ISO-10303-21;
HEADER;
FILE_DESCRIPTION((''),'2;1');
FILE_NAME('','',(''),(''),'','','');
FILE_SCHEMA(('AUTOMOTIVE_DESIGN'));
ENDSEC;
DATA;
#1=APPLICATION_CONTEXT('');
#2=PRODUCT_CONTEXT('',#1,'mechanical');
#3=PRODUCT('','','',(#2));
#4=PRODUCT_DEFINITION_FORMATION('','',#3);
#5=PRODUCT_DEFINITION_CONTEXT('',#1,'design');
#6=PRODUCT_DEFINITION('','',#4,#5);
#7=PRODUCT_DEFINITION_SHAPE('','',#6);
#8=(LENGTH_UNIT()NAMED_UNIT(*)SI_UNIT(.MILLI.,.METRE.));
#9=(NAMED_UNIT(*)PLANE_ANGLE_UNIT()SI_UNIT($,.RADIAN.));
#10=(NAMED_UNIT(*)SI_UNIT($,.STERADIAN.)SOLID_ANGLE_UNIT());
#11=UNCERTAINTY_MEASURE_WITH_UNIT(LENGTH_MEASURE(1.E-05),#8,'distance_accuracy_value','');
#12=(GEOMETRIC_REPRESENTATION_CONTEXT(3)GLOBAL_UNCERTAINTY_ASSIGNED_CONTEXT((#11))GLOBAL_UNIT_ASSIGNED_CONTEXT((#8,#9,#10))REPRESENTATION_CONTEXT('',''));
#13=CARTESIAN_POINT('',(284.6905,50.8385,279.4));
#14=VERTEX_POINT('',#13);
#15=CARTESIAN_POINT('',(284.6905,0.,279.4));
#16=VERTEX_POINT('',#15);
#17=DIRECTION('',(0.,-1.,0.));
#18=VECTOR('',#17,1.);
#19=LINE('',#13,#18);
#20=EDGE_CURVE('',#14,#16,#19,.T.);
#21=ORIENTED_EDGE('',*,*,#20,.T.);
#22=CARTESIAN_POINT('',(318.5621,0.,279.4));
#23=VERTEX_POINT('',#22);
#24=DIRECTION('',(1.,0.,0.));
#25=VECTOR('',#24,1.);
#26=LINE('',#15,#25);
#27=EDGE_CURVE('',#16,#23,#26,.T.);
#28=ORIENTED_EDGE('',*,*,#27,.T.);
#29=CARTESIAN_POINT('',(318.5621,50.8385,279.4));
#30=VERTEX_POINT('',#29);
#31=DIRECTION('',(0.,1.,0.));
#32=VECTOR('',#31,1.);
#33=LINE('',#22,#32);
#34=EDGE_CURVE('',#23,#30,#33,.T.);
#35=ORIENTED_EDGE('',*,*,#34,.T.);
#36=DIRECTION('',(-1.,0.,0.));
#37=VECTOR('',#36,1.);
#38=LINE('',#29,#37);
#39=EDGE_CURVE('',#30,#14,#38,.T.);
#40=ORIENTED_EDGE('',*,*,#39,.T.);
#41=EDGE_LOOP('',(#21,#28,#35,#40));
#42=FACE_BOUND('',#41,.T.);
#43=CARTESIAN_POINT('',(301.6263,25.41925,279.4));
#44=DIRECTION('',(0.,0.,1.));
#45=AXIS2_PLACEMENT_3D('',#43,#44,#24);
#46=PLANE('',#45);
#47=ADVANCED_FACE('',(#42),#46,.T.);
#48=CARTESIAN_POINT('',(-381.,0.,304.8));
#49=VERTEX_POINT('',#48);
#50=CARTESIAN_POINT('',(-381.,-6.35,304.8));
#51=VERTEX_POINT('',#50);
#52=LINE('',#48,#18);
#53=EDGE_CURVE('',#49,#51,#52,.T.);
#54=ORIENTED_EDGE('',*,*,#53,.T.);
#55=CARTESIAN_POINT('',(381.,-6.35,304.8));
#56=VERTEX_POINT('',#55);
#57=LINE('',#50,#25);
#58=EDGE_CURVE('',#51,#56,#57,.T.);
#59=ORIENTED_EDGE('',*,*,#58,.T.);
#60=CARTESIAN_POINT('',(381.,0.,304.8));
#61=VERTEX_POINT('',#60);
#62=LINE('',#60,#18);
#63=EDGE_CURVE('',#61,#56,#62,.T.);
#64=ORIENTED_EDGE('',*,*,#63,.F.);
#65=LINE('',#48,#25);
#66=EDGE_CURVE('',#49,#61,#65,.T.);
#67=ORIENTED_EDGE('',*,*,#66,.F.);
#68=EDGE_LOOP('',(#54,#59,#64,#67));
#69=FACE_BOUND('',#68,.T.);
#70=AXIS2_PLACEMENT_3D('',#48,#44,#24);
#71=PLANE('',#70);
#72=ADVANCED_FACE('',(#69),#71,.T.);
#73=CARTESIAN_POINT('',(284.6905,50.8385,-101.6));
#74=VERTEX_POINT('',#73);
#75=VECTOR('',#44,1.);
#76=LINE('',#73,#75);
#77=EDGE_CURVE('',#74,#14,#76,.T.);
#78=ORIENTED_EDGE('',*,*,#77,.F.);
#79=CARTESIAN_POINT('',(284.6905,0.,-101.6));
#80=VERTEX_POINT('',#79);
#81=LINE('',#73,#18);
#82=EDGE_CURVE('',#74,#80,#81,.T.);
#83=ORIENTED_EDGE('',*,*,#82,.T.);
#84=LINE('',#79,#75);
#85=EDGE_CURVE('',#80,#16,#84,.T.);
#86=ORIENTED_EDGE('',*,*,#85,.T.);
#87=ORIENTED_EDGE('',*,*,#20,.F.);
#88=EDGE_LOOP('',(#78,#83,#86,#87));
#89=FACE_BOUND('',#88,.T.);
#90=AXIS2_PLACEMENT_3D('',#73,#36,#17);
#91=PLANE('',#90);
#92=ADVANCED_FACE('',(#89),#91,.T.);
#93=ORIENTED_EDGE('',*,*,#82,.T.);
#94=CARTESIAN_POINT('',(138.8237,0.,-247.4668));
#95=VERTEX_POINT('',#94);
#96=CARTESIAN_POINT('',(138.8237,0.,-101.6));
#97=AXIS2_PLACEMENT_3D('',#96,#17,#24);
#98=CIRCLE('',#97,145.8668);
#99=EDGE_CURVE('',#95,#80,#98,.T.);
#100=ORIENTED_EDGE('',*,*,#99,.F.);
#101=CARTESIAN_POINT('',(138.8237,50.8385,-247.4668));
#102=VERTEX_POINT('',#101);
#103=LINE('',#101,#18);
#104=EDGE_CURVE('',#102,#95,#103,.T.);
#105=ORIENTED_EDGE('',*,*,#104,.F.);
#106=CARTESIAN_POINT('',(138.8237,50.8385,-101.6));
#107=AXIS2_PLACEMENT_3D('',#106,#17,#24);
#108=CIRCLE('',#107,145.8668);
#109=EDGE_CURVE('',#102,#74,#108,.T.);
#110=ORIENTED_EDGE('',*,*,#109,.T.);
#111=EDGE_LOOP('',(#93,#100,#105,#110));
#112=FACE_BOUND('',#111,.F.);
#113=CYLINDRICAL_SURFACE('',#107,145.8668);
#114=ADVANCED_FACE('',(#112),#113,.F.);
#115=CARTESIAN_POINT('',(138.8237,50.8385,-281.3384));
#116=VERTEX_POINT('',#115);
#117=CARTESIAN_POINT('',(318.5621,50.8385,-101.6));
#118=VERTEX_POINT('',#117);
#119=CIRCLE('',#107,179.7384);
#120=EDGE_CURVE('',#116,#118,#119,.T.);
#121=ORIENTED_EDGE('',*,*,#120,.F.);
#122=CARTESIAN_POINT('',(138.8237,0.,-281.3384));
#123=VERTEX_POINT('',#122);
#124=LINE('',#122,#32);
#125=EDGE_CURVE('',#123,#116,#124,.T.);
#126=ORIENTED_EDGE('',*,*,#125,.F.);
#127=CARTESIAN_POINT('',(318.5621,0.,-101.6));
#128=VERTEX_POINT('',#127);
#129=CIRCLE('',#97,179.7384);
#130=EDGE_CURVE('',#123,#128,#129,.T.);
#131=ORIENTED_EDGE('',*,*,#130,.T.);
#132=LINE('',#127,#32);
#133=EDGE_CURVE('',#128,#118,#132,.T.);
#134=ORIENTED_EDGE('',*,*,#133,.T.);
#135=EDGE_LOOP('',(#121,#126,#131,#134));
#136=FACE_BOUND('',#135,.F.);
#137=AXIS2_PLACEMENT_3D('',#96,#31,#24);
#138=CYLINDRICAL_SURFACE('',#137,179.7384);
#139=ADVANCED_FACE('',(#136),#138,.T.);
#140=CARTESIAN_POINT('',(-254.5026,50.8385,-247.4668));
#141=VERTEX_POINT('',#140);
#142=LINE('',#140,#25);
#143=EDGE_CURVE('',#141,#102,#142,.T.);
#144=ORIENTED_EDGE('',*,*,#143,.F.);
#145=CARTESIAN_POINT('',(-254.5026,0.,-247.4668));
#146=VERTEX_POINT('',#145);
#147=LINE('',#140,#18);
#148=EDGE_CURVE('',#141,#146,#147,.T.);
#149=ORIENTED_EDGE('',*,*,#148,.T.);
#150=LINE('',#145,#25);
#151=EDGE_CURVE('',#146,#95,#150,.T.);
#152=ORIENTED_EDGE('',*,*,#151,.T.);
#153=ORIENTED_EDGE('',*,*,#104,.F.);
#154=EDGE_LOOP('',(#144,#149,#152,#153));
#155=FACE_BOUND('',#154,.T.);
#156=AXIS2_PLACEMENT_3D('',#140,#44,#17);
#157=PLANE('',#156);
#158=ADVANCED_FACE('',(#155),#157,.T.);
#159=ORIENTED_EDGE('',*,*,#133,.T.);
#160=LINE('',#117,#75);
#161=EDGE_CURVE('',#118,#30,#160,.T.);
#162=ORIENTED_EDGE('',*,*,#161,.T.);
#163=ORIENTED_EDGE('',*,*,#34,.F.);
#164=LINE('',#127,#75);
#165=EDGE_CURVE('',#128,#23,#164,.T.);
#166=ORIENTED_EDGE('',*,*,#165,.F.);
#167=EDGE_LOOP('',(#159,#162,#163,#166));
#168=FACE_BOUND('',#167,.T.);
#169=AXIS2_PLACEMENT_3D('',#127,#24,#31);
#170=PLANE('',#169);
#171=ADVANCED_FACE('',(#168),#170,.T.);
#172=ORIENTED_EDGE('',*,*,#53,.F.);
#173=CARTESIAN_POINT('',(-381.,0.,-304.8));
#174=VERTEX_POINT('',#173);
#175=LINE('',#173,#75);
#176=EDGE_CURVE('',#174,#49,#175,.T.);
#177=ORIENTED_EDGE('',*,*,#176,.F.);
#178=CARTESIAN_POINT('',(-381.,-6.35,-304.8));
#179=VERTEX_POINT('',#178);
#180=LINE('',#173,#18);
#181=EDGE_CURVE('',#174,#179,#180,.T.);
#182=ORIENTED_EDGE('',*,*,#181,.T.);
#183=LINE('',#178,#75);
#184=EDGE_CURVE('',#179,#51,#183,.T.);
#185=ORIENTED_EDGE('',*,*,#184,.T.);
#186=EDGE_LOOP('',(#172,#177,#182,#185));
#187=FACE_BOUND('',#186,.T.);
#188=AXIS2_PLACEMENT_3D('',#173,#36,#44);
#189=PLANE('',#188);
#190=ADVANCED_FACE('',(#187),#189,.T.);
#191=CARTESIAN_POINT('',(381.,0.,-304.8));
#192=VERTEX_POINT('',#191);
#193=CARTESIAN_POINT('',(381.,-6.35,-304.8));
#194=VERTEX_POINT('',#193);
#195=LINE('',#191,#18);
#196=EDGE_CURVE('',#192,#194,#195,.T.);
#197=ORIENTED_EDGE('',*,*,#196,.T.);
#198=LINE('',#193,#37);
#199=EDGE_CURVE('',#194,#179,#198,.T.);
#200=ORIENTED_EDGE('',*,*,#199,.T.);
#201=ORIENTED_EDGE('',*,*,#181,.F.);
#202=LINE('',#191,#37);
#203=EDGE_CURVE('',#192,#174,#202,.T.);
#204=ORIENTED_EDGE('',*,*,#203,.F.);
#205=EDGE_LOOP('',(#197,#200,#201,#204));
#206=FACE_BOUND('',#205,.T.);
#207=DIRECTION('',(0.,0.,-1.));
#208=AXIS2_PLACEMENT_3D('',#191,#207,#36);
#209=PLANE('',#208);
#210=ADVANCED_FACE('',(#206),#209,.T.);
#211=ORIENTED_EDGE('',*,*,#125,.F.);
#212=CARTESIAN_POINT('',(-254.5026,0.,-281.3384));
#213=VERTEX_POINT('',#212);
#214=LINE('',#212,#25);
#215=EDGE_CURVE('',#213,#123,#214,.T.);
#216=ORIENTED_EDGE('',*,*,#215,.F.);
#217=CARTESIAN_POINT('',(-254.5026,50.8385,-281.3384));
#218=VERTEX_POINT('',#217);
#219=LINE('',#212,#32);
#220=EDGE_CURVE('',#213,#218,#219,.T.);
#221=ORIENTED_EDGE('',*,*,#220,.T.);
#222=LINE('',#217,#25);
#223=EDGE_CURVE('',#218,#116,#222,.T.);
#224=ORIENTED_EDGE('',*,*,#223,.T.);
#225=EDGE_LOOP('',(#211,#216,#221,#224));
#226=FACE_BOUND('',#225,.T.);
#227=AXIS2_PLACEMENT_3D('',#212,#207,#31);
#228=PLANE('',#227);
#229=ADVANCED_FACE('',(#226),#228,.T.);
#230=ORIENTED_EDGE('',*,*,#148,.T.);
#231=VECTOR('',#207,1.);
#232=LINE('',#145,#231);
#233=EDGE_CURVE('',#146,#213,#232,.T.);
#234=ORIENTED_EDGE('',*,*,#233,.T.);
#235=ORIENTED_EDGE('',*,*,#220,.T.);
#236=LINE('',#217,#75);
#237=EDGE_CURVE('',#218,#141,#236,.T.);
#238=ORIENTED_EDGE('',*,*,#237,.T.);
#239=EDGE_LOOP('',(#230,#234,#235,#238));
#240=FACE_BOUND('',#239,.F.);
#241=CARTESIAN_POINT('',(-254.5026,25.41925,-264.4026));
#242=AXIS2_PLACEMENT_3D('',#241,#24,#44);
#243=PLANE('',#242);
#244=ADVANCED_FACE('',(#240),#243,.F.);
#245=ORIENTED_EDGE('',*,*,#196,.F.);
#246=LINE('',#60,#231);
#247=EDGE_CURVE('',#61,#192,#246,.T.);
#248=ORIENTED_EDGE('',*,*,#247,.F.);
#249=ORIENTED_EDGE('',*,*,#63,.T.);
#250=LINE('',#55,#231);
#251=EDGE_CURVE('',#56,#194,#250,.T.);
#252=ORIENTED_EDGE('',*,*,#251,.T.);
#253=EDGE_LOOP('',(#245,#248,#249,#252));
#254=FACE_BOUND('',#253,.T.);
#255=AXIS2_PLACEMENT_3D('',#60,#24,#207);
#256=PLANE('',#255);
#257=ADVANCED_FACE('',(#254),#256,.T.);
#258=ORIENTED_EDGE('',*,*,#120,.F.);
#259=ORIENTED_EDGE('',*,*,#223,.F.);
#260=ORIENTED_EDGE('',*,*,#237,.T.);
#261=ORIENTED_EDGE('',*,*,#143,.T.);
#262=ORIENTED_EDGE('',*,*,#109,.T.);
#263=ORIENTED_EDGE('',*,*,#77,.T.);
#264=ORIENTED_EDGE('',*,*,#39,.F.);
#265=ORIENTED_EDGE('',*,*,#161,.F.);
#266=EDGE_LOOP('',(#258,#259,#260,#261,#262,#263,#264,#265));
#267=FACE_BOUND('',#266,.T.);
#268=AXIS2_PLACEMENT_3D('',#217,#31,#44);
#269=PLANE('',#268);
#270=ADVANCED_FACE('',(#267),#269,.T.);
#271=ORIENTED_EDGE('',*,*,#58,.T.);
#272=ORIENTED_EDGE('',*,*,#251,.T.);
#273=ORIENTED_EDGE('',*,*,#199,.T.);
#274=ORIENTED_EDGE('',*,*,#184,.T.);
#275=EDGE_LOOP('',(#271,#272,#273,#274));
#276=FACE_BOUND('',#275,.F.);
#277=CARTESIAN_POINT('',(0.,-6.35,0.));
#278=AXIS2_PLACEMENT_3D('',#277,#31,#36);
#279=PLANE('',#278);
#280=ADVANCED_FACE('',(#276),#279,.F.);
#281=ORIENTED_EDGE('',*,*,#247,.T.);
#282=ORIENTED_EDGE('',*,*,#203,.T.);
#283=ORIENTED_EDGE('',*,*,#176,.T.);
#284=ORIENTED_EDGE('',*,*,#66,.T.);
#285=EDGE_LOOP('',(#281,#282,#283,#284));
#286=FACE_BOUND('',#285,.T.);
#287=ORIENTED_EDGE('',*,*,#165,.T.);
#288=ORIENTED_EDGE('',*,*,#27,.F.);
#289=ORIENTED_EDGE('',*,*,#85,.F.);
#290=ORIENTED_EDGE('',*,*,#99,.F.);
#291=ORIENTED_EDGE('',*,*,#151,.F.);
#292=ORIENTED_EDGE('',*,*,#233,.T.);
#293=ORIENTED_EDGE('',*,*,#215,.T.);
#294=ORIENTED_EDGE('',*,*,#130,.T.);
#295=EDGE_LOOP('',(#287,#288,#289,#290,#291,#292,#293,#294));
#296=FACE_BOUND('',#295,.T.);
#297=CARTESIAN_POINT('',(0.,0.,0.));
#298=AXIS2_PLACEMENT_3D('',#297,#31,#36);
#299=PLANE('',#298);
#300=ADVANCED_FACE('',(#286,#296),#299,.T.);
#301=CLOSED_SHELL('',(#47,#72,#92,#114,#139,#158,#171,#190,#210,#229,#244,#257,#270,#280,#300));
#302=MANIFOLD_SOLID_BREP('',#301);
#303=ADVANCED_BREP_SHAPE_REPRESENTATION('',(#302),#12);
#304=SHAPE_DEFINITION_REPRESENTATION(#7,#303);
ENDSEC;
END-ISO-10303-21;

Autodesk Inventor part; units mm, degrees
ref_plane "YZ Plane" through (0, 0, 0) normal (1, 0, 0) x (0, 1, 0)
ref_plane "XZ Plane" through (0, 0, 0) normal (0, 1, 0) x (-1, 0, 0)
sketch "Sketch1" plane through (0, 0, 0) normal (0, 1, 0) x (-1, 0, 0)
  line L0 (-381, 304.8) -> (-381, -304.8)
  line L1 (-381, -304.8) -> (381, -304.8)
  line L2 (381, -304.8) -> (381, 304.8)
  line L3 (381, 304.8) -> (-381, 304.8)
  line L4 (-381, 304.8) -> (381, -304.8) construction
  line L5 (-381, -304.8) -> (381, 304.8) construction
  point P0 (0, 0)
  dimension "width" = 609.6
  dimension "length" = 762
extrude "Extrusion1" add sketch "Sketch1" against normal blind 6.35
ref_plane "Work Plane1" through (-381, 0, 274.6375) normal (0, 0, 1) x (1, 0, 0)
sketch "Sketch2" plane through (0, 0, 0) normal (0, 1, 0) x (1, 0, 0)
  line L0 (-254.5026, 247.65) -> (138.8237, 247.65)
  line L1 (284.8737, 101.6) -> (284.8737, -279.4)
  arc A0 (284.8737, 101.6) -> (138.8237, 247.65) centre (138.8237, 101.6) ccw
  line L2 (-381, -304.8) -> (381, -304.8) projected
  point P0 (0, 0)
  dimension "d4" = 292.1
  dimension "d5" = 381
  dimension "d6" = 558.8
  dimension "d10" = 25.4
sketch "Sketch3" plane through (-381, 0, 274.6375) normal (0, 0, 1) x (1, 0, 0)
  line L0 (665.6905, 0) -> (699.5621, 0)
  line L1 (699.5621, 0) -> (699.5621, 50.8385)
  line L2 (699.5621, 50.8385) -> (665.6905, 50.8385)
  line L3 (665.6905, 50.8385) -> (665.6905, 0)
  point P0 (381, 0)
sweep "Sweep1" add profiles "Sketch3" path "Sketch2" path curves L1 A0 L0
properties part number "ShooterBase" material "Wood (Birch)"
